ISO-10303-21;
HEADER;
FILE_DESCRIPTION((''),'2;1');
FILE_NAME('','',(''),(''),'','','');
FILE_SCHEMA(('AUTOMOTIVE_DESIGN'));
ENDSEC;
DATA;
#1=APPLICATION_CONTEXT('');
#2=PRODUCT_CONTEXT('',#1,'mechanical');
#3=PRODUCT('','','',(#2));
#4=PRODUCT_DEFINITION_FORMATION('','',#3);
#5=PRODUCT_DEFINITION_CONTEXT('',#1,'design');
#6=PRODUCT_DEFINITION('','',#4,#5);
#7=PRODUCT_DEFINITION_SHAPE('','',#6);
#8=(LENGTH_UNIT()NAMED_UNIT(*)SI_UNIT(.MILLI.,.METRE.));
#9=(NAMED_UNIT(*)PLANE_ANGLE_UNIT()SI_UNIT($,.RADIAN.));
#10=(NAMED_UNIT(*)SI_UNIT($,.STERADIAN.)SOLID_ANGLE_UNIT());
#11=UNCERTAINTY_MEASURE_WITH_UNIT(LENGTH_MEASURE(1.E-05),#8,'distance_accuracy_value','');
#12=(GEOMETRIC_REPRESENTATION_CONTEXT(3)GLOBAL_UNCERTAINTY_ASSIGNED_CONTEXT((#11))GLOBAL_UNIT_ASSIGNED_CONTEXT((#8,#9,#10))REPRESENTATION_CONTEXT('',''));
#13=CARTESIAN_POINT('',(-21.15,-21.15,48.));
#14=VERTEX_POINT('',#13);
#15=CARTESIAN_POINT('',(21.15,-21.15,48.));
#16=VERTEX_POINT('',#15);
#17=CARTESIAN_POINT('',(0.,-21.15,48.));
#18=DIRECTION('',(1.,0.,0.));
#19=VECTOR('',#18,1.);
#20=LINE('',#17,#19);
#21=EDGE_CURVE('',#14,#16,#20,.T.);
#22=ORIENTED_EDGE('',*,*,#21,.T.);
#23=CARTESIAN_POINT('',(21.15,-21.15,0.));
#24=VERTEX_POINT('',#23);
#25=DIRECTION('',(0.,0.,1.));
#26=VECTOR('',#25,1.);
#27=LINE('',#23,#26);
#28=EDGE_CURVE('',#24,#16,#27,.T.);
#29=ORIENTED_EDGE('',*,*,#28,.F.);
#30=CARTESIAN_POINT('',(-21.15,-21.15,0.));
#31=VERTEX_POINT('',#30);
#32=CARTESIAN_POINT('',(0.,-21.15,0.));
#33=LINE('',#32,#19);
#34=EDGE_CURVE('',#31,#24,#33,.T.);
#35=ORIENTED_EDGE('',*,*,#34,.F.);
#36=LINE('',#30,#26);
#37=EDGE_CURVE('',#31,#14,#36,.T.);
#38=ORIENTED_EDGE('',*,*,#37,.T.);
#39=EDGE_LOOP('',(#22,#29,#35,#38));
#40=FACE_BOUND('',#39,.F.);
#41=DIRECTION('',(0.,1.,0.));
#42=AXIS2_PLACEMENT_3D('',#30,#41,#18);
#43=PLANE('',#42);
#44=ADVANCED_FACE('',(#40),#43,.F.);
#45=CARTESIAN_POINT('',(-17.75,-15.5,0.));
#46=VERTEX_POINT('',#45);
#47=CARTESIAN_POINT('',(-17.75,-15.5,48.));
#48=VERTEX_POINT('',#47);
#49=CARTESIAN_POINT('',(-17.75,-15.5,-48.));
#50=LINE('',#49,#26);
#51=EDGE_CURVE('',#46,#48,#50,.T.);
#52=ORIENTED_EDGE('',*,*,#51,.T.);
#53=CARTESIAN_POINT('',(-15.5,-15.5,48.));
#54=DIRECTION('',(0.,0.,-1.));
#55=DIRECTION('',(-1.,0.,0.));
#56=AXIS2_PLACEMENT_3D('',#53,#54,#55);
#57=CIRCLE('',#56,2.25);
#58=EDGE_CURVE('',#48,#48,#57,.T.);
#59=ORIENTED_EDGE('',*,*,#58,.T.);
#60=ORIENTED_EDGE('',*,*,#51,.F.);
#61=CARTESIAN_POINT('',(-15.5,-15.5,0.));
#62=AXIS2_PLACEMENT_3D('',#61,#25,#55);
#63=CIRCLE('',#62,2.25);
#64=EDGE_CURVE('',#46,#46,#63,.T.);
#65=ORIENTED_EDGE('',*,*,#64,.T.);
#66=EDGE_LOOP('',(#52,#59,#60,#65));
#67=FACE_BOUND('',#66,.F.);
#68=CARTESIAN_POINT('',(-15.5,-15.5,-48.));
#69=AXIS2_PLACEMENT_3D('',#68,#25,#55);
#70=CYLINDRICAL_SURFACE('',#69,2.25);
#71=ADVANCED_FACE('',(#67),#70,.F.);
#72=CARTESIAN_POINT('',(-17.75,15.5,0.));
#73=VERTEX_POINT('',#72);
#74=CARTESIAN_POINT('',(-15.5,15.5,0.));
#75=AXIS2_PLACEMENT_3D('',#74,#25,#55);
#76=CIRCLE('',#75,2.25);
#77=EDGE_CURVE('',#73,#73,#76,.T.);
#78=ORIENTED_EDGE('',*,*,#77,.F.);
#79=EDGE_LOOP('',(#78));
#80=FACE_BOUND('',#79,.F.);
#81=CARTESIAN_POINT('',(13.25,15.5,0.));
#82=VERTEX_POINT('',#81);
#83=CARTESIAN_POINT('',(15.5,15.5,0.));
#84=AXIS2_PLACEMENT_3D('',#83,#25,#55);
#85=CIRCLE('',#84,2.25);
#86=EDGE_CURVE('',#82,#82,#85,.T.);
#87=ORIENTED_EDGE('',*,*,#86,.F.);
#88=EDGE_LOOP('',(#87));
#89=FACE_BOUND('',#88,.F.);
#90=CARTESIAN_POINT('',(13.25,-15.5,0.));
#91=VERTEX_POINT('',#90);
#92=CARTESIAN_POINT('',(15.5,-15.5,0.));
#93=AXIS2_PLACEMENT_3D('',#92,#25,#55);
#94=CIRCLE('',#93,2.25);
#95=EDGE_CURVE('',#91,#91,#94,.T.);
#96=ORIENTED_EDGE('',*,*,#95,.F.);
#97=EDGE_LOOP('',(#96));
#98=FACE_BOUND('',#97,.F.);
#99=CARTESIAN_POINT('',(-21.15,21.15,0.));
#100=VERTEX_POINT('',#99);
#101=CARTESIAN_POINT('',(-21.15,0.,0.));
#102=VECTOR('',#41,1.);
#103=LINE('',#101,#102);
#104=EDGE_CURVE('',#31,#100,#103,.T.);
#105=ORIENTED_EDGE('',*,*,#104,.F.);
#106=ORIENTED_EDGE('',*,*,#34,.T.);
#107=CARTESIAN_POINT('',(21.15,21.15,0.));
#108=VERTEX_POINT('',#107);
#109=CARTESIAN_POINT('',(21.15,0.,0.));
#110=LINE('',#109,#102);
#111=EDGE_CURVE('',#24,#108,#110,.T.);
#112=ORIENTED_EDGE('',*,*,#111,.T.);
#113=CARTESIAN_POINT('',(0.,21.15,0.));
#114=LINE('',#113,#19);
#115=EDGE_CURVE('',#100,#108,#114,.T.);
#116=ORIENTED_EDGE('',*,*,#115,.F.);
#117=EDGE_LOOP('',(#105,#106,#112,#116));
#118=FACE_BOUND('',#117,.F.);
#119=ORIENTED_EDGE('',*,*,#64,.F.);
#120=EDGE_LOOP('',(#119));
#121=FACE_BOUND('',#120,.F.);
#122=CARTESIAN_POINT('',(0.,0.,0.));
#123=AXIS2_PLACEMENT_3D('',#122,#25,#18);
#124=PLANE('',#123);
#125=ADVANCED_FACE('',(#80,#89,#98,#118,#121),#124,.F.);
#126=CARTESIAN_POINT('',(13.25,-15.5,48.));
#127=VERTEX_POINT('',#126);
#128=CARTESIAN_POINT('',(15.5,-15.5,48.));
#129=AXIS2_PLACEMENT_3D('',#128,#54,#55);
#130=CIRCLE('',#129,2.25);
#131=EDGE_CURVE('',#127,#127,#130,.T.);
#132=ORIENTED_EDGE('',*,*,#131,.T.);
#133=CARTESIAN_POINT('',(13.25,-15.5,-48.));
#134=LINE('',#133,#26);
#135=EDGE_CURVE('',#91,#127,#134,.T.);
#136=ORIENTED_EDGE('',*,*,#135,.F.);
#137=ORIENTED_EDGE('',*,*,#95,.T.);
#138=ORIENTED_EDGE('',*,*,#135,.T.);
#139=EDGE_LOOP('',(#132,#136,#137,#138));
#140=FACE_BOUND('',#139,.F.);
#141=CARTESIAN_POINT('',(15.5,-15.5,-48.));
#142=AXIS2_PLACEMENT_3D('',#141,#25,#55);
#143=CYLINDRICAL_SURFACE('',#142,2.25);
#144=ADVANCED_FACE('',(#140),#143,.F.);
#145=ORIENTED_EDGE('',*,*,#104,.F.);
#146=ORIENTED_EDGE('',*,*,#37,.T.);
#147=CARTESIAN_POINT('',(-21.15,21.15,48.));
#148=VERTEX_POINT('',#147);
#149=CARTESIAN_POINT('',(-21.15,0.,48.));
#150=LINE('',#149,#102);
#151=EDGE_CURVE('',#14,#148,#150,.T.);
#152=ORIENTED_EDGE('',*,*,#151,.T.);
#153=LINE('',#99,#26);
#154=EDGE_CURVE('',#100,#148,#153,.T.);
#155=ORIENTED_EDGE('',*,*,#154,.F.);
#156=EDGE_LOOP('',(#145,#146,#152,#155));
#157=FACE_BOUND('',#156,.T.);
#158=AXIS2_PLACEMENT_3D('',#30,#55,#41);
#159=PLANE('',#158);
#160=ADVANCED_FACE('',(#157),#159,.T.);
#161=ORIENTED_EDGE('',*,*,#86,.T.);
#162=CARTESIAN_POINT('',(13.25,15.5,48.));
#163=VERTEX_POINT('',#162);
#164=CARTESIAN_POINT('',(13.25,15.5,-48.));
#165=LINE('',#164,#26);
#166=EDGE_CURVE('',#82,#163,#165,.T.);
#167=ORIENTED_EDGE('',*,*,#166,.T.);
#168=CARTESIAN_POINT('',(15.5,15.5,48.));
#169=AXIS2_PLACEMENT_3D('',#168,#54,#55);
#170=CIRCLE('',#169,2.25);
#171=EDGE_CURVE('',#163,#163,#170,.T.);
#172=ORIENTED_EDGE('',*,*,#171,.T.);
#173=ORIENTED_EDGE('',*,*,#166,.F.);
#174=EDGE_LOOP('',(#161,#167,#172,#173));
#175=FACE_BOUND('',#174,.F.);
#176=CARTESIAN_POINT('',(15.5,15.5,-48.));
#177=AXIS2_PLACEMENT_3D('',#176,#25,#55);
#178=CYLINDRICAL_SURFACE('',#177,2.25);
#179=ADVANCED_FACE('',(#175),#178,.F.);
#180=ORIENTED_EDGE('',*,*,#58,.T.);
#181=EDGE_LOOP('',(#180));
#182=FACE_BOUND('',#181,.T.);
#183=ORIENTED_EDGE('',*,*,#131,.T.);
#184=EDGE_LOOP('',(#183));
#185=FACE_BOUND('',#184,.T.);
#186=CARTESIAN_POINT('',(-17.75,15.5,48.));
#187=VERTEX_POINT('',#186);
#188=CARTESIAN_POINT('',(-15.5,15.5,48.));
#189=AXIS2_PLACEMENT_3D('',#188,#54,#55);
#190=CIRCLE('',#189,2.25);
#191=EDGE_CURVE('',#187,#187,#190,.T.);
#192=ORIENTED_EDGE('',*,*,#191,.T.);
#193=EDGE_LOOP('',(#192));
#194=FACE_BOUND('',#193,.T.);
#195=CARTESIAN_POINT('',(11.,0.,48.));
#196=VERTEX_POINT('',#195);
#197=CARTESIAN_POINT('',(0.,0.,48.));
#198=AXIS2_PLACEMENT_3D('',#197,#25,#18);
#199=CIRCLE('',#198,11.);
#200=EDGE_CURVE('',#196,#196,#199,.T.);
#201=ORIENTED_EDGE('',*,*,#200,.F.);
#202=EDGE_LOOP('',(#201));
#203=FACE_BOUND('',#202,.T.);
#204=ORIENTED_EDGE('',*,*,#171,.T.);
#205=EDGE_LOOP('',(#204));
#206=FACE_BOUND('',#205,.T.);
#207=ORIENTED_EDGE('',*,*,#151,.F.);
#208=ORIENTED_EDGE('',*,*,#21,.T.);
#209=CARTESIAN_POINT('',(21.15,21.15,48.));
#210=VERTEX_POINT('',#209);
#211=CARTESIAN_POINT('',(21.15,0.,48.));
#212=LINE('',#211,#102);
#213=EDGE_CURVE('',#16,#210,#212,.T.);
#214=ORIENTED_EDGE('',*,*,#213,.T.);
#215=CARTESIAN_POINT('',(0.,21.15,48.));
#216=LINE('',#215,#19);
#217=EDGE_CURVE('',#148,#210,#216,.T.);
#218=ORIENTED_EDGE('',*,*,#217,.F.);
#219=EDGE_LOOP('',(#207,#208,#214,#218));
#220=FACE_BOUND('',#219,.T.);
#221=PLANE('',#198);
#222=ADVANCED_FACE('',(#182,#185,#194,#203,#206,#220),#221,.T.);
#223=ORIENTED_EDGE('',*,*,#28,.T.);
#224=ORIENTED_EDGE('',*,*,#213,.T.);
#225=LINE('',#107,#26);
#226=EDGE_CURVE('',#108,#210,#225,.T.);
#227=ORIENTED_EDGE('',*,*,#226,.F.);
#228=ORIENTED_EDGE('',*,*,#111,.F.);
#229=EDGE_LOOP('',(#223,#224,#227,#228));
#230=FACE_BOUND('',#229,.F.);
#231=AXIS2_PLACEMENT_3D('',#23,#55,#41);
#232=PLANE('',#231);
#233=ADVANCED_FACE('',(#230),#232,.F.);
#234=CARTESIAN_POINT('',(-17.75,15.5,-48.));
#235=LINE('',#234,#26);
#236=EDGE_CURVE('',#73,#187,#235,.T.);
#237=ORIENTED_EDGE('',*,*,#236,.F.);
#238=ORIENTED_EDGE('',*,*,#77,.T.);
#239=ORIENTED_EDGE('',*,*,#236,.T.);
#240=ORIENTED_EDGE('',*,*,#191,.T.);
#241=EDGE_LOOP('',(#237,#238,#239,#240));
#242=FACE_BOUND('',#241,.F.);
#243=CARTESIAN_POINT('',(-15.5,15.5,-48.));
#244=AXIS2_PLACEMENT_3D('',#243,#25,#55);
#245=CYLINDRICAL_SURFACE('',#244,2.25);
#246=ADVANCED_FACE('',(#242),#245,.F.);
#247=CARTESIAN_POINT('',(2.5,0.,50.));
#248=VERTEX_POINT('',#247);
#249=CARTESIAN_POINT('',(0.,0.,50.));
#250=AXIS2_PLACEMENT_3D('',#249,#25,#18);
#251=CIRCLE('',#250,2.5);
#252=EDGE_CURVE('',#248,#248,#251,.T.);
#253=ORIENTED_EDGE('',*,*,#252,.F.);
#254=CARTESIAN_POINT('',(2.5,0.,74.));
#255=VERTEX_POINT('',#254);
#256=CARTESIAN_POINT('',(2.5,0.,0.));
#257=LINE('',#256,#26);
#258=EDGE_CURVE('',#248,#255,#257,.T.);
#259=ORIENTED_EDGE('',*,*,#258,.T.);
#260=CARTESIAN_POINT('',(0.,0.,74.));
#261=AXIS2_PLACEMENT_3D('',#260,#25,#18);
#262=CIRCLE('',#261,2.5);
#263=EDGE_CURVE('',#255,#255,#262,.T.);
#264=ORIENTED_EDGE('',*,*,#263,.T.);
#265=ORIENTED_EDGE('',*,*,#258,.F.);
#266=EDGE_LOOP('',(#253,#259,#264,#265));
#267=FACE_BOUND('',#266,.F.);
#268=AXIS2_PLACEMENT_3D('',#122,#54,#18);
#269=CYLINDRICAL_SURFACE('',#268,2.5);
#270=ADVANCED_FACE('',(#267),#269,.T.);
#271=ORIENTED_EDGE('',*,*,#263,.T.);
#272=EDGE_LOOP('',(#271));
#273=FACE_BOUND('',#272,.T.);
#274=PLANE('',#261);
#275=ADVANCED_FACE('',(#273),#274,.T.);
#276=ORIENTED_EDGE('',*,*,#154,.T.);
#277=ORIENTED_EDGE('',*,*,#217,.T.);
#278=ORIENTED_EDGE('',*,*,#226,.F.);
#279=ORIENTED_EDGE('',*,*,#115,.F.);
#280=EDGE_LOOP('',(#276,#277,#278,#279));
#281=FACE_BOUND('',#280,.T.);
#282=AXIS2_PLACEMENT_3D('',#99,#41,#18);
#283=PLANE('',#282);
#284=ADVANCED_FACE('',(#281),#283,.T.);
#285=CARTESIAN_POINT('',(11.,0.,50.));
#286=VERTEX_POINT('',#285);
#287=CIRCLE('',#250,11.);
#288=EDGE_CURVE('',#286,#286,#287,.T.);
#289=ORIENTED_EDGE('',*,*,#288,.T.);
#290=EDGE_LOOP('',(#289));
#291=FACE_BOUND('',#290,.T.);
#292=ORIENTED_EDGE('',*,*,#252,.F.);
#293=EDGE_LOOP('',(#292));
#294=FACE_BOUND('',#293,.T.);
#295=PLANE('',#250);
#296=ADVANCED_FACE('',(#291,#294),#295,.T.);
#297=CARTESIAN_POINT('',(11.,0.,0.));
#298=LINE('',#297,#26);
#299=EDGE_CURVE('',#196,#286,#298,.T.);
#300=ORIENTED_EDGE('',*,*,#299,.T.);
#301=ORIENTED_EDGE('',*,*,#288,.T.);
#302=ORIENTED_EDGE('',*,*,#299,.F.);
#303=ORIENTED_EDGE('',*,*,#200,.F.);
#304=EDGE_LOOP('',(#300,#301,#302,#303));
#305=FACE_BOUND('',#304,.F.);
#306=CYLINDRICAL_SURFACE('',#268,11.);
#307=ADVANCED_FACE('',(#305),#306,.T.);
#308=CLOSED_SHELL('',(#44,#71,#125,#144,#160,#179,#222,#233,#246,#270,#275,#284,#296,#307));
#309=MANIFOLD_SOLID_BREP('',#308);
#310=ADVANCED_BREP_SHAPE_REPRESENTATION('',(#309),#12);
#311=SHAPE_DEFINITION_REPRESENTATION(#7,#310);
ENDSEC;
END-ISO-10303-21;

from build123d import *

# Parameters (mm, degrees)
F4_W     = 42.3
F4_H     = 42.3
F4_R     = 11
F5_DEPTH = 48
F4_R_2   = 2.5
F6_DEPTH = 50
F7_DEPTH = 74
F8_D     = 4.5
F8_DEPTH = 48
F8_TIP   = 1.3519363928


with BuildPart() as f5:
    # F4 (on Top) → F5 (new body)
    with BuildSketch(Plane.XY):
        Rectangle(F4_W, F4_H)
        Circle(F4_R, mode=Mode.SUBTRACT)
    extrude(amount=F5_DEPTH)

    # F4 (on Top) → F6 (join)
    with BuildSketch(Plane.XY):
        Circle(F4_R)
        Circle(F4_R_2, mode=Mode.SUBTRACT)
    extrude(amount=F6_DEPTH)

    # F4 (on Top) → F7 (join)
    with BuildSketch(Plane.XY):
        Circle(F4_R_2)
    extrude(amount=F7_DEPTH)

    # F8
    with Locations(Plane(origin=(0, 0, 0), x_dir=(1, 0, 0), z_dir=(0, 0, -1))):
        with Locations((15.5, -15.5), (-15.5, -15.5), (-15.5, 15.5), (15.5, 15.5)):
            Hole(F8_D / 2, depth=F8_DEPTH)
            with Locations((0, 0, -(F8_DEPTH + F8_TIP / 2))):  # 118° drill point
                Cone(0, F8_D / 2, F8_TIP, mode=Mode.SUBTRACT)


solid = f5.part
